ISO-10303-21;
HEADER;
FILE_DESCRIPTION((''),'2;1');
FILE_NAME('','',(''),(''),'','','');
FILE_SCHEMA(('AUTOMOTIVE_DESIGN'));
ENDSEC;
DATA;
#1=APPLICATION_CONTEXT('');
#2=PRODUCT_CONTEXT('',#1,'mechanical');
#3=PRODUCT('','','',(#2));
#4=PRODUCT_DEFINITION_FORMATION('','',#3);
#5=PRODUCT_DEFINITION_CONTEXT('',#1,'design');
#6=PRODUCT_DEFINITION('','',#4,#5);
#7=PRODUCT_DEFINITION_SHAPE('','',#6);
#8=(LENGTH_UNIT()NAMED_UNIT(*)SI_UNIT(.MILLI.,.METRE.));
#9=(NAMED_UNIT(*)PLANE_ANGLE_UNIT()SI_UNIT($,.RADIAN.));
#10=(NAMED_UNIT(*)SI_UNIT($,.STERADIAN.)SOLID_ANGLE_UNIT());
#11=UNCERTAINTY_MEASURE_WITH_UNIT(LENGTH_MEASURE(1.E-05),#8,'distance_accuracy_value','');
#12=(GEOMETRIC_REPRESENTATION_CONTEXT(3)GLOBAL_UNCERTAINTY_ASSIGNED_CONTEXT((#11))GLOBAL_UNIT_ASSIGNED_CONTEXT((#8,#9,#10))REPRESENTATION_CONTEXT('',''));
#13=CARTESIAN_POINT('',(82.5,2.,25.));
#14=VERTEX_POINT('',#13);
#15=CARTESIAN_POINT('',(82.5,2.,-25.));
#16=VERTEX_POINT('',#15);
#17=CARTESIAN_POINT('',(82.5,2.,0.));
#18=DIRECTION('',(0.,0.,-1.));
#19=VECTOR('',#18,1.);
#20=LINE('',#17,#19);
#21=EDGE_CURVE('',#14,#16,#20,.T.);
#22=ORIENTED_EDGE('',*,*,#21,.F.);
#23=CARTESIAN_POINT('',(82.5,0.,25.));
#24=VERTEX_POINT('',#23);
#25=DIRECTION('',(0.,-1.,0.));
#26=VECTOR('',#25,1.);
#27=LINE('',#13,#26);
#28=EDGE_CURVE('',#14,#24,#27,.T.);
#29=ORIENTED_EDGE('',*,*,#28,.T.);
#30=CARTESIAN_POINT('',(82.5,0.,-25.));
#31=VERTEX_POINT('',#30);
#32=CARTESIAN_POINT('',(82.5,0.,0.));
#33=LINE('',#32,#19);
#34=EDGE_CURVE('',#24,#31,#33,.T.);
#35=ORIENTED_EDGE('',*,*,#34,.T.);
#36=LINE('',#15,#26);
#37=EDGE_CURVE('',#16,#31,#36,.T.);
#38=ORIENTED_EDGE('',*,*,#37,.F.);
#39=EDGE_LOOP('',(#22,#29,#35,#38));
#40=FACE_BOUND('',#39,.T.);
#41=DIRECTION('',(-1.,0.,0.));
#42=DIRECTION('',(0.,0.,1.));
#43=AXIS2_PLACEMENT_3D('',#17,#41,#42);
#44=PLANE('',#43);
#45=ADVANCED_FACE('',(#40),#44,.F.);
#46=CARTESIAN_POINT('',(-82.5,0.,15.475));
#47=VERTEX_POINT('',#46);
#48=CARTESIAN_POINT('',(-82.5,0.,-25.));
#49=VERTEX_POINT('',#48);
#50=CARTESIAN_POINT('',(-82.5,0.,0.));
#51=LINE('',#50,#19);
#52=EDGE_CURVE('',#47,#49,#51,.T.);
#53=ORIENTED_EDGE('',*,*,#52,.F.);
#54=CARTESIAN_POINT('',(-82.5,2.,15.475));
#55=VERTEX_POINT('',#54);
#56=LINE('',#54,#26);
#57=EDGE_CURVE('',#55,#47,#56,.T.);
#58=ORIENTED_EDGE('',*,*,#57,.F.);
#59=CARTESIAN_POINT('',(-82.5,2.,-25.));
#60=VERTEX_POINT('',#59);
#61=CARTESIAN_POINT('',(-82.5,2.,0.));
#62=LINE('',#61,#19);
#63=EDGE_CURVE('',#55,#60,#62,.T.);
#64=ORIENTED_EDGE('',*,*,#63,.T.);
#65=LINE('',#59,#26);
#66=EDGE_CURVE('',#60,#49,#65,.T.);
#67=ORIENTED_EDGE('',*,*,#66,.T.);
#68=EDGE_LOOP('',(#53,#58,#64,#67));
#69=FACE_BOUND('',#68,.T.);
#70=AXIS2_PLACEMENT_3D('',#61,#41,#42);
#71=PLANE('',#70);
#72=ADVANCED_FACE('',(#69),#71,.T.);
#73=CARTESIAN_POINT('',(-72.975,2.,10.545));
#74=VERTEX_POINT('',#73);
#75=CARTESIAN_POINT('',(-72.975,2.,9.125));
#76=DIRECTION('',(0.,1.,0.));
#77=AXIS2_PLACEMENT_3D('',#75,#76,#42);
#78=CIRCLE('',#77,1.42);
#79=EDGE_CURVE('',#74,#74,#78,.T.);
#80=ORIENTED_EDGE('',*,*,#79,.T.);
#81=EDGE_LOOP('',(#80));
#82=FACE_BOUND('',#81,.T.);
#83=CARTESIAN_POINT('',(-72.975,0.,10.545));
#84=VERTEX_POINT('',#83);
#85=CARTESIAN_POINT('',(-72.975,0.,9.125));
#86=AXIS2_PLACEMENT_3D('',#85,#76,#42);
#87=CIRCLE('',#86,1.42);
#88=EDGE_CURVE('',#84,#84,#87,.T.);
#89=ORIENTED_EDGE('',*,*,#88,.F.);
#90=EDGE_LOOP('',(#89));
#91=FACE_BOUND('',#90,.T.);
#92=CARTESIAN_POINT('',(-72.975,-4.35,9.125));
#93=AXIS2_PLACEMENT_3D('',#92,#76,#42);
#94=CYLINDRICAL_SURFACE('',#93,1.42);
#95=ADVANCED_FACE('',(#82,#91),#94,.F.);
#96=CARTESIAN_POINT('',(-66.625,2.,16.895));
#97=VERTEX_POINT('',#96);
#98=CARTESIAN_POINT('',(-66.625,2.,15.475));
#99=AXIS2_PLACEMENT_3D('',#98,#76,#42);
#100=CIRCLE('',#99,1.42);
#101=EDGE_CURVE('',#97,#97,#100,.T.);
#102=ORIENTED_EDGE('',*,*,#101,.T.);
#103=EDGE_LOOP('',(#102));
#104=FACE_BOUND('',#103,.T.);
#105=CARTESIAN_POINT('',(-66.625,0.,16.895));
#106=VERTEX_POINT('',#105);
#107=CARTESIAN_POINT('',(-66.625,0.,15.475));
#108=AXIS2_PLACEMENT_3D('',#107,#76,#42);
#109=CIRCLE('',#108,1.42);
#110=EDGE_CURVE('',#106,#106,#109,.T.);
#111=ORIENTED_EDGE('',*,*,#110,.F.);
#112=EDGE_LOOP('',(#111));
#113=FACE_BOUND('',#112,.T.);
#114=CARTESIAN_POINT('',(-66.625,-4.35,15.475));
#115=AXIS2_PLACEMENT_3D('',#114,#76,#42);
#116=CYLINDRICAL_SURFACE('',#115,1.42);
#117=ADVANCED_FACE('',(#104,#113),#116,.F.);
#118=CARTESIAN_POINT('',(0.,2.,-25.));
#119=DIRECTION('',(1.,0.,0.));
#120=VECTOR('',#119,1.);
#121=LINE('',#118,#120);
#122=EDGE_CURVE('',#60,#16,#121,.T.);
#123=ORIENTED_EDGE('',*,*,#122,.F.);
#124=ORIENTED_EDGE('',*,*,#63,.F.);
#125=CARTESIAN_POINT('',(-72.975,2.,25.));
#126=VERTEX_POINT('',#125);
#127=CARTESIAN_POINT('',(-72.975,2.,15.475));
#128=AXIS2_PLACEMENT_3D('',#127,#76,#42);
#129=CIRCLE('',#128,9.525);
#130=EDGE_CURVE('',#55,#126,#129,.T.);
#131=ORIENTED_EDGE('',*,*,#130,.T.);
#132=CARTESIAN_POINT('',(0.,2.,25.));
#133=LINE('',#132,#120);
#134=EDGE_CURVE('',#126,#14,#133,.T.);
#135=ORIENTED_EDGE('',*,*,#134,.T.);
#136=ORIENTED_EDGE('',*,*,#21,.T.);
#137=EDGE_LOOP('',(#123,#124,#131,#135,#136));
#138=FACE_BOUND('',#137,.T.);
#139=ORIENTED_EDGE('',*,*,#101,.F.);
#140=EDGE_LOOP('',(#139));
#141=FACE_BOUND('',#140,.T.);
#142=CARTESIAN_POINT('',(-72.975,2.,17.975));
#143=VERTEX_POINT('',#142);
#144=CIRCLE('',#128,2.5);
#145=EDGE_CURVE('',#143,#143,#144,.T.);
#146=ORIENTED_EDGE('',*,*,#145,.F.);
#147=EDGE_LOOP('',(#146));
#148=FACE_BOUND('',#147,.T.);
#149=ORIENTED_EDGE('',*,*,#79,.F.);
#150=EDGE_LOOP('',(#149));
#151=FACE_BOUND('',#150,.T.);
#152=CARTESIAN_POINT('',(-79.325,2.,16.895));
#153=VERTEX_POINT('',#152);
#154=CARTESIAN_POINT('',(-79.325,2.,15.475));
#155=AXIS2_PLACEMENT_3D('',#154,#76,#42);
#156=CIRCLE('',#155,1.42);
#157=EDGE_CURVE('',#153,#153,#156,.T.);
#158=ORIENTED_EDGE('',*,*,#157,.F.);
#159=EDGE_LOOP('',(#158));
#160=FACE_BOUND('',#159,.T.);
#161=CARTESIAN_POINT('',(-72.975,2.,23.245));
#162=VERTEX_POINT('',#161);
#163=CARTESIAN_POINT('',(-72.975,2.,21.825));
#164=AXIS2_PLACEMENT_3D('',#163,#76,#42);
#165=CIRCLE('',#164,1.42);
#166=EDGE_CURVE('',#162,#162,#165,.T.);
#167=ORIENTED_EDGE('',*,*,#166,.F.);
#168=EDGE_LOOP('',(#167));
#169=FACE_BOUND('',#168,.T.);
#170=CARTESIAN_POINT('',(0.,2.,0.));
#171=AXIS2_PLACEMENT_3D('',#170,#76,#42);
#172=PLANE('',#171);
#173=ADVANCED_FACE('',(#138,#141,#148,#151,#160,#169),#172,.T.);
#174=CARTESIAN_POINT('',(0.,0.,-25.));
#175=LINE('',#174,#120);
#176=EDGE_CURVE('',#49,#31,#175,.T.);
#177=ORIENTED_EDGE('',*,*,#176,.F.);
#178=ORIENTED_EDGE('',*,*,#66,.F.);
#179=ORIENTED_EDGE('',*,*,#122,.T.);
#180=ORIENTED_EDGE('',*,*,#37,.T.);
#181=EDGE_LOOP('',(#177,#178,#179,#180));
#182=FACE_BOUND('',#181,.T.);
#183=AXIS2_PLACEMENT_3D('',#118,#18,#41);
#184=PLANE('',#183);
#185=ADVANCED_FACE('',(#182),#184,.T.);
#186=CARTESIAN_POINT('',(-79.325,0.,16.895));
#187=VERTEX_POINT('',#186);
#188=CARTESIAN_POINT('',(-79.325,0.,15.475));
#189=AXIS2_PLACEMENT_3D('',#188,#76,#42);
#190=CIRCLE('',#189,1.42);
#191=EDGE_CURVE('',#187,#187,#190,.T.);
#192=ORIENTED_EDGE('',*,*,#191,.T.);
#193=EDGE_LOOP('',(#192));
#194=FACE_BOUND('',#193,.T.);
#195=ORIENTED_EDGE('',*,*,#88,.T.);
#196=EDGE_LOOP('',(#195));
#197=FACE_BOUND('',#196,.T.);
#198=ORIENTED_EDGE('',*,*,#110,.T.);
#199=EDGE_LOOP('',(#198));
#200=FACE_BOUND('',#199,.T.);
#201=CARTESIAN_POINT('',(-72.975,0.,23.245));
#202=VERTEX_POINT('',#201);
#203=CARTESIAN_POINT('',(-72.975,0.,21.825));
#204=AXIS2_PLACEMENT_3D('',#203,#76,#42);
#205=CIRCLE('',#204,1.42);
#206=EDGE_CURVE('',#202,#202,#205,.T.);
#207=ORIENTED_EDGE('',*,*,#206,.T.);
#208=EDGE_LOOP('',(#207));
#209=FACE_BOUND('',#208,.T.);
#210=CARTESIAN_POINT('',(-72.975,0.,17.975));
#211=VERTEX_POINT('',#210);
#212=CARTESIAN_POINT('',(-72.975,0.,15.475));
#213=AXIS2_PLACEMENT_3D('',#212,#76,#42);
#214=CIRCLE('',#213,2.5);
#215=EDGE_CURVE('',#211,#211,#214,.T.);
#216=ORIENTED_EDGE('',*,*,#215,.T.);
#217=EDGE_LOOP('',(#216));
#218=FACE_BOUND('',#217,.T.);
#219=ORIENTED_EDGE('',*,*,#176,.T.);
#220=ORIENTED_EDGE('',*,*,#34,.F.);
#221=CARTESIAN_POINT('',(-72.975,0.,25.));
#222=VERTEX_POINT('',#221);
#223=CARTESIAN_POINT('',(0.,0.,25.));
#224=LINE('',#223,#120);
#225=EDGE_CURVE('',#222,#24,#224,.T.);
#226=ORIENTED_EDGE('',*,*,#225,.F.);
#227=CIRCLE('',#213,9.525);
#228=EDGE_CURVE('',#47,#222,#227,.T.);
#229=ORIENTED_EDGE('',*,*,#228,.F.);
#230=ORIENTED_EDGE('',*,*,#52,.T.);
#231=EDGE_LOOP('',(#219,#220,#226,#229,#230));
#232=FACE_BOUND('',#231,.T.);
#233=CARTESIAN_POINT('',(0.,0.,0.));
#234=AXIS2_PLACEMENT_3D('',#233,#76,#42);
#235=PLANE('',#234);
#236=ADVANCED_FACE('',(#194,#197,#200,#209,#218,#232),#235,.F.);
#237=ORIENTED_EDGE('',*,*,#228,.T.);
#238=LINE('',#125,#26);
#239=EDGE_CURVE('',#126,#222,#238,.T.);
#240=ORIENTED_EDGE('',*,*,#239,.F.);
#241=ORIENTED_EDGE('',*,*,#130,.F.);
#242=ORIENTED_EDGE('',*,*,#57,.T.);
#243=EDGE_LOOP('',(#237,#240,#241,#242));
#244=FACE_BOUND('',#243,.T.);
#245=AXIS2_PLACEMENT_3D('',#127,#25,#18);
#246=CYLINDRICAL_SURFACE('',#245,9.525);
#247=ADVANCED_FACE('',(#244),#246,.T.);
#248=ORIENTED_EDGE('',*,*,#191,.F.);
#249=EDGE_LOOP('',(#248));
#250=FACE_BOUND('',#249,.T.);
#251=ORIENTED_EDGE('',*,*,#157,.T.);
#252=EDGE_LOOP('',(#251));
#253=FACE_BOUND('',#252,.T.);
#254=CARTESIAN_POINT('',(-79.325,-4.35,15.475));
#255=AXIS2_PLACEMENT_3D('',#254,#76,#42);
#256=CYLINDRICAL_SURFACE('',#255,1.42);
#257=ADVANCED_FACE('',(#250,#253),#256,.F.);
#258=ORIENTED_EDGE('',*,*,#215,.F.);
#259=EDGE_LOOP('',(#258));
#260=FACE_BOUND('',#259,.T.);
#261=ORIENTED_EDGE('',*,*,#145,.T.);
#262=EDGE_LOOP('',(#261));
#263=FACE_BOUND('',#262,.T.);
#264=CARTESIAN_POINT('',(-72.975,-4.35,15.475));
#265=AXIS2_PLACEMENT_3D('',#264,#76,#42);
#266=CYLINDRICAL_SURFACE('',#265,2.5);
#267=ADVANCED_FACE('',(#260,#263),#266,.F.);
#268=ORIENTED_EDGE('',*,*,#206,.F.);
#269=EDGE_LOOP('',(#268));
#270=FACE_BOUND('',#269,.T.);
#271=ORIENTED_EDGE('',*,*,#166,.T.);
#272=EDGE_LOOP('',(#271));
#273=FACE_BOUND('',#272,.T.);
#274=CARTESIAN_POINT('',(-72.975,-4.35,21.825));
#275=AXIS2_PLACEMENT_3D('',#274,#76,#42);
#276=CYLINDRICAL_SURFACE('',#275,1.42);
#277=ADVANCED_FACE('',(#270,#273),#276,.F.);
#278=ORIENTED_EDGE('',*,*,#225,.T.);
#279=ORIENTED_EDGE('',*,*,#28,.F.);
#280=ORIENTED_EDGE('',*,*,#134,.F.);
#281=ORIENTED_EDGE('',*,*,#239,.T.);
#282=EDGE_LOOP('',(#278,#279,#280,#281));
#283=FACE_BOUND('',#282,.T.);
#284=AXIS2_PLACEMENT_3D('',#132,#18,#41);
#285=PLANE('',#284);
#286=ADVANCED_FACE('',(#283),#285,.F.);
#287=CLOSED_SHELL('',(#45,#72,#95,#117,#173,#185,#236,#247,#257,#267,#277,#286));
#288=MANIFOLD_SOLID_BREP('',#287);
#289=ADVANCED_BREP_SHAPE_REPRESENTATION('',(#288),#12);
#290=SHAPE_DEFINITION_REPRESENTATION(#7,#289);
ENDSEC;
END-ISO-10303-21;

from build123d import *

# Parameters (mm, degrees)
BOSS_EXTRUDE1_DEPTH = 2
SKETCH2_R           = 1.42
CUT_EXTRUDE2_DEPTH  = 6.35


with BuildPart() as part:
    # Sketch1 → Boss-Extrude1 (new body)
    with BuildSketch(Plane(origin=(0, 0, 0), x_dir=(1, 0, 0), z_dir=(0, 1, 0))):
        with BuildLine():
            Line((-82.5, 25), (-82.5, -15.475))
            ThreePointArc((-82.5, -15.475), (-79.710192091, -22.210192091), (-72.975, -25))
            Line((-72.975, -25), (82.5, -25))
            Line((82.5, -25), (82.5, 25))
            Line((82.5, 25), (-82.5, 25))
        make_face()
    extrude(amount=BOSS_EXTRUDE1_DEPTH)

    # Sketch2 → Cut-Extrude2 (cut)
    with BuildSketch(Plane(origin=(0, 2, 0), x_dir=(1, 0, 0), z_dir=(0, 1, 0))):
        with BuildLine():
            ThreePointArc((-68.045, -15.475), (-66.625, -16.895), (-65.205, -15.475))
            Line((-65.205, -15.475), (-68.045, -15.475))
        make_face()
        with BuildLine():
            Line((-68.045, -15.475), (-65.205, -15.475))
            ThreePointArc((-65.205, -15.475), (-66.625, -14.055), (-68.045, -15.475))
        make_face()
        with Locations(Location((-72.975, -9.125, 0), (0, 0, 270))):
            Circle(SKETCH2_R)
        with BuildLine():
            ThreePointArc((-77.905, -15.475), (-79.325, -14.055), (-80.745, -15.475))
            Line((-80.745, -15.475), (-77.905, -15.475))
        make_face()
        with BuildLine():
            Line((-77.905, -15.475), (-80.745, -15.475))
            ThreePointArc((-80.745, -15.475), (-79.325, -16.895), (-77.905, -15.475))
        make_face()
        with Locations(Location((-72.975, -21.825, 0), (0, 0, 270))):
            Circle(SKETCH2_R)
        with BuildLine():
            ThreePointArc((-75.475, -15.475), (-72.975, -17.975), (-70.475, -15.475))
            Line((-70.475, -15.475), (-75.475, -15.475))
        make_face()
        with BuildLine():
            Line((-75.475, -15.475), (-70.475, -15.475))
            ThreePointArc((-70.475, -15.475), (-72.975, -12.975), (-75.475, -15.475))
        make_face()
    extrude(amount=-CUT_EXTRUDE2_DEPTH, mode=Mode.SUBTRACT)


solid = part.part
